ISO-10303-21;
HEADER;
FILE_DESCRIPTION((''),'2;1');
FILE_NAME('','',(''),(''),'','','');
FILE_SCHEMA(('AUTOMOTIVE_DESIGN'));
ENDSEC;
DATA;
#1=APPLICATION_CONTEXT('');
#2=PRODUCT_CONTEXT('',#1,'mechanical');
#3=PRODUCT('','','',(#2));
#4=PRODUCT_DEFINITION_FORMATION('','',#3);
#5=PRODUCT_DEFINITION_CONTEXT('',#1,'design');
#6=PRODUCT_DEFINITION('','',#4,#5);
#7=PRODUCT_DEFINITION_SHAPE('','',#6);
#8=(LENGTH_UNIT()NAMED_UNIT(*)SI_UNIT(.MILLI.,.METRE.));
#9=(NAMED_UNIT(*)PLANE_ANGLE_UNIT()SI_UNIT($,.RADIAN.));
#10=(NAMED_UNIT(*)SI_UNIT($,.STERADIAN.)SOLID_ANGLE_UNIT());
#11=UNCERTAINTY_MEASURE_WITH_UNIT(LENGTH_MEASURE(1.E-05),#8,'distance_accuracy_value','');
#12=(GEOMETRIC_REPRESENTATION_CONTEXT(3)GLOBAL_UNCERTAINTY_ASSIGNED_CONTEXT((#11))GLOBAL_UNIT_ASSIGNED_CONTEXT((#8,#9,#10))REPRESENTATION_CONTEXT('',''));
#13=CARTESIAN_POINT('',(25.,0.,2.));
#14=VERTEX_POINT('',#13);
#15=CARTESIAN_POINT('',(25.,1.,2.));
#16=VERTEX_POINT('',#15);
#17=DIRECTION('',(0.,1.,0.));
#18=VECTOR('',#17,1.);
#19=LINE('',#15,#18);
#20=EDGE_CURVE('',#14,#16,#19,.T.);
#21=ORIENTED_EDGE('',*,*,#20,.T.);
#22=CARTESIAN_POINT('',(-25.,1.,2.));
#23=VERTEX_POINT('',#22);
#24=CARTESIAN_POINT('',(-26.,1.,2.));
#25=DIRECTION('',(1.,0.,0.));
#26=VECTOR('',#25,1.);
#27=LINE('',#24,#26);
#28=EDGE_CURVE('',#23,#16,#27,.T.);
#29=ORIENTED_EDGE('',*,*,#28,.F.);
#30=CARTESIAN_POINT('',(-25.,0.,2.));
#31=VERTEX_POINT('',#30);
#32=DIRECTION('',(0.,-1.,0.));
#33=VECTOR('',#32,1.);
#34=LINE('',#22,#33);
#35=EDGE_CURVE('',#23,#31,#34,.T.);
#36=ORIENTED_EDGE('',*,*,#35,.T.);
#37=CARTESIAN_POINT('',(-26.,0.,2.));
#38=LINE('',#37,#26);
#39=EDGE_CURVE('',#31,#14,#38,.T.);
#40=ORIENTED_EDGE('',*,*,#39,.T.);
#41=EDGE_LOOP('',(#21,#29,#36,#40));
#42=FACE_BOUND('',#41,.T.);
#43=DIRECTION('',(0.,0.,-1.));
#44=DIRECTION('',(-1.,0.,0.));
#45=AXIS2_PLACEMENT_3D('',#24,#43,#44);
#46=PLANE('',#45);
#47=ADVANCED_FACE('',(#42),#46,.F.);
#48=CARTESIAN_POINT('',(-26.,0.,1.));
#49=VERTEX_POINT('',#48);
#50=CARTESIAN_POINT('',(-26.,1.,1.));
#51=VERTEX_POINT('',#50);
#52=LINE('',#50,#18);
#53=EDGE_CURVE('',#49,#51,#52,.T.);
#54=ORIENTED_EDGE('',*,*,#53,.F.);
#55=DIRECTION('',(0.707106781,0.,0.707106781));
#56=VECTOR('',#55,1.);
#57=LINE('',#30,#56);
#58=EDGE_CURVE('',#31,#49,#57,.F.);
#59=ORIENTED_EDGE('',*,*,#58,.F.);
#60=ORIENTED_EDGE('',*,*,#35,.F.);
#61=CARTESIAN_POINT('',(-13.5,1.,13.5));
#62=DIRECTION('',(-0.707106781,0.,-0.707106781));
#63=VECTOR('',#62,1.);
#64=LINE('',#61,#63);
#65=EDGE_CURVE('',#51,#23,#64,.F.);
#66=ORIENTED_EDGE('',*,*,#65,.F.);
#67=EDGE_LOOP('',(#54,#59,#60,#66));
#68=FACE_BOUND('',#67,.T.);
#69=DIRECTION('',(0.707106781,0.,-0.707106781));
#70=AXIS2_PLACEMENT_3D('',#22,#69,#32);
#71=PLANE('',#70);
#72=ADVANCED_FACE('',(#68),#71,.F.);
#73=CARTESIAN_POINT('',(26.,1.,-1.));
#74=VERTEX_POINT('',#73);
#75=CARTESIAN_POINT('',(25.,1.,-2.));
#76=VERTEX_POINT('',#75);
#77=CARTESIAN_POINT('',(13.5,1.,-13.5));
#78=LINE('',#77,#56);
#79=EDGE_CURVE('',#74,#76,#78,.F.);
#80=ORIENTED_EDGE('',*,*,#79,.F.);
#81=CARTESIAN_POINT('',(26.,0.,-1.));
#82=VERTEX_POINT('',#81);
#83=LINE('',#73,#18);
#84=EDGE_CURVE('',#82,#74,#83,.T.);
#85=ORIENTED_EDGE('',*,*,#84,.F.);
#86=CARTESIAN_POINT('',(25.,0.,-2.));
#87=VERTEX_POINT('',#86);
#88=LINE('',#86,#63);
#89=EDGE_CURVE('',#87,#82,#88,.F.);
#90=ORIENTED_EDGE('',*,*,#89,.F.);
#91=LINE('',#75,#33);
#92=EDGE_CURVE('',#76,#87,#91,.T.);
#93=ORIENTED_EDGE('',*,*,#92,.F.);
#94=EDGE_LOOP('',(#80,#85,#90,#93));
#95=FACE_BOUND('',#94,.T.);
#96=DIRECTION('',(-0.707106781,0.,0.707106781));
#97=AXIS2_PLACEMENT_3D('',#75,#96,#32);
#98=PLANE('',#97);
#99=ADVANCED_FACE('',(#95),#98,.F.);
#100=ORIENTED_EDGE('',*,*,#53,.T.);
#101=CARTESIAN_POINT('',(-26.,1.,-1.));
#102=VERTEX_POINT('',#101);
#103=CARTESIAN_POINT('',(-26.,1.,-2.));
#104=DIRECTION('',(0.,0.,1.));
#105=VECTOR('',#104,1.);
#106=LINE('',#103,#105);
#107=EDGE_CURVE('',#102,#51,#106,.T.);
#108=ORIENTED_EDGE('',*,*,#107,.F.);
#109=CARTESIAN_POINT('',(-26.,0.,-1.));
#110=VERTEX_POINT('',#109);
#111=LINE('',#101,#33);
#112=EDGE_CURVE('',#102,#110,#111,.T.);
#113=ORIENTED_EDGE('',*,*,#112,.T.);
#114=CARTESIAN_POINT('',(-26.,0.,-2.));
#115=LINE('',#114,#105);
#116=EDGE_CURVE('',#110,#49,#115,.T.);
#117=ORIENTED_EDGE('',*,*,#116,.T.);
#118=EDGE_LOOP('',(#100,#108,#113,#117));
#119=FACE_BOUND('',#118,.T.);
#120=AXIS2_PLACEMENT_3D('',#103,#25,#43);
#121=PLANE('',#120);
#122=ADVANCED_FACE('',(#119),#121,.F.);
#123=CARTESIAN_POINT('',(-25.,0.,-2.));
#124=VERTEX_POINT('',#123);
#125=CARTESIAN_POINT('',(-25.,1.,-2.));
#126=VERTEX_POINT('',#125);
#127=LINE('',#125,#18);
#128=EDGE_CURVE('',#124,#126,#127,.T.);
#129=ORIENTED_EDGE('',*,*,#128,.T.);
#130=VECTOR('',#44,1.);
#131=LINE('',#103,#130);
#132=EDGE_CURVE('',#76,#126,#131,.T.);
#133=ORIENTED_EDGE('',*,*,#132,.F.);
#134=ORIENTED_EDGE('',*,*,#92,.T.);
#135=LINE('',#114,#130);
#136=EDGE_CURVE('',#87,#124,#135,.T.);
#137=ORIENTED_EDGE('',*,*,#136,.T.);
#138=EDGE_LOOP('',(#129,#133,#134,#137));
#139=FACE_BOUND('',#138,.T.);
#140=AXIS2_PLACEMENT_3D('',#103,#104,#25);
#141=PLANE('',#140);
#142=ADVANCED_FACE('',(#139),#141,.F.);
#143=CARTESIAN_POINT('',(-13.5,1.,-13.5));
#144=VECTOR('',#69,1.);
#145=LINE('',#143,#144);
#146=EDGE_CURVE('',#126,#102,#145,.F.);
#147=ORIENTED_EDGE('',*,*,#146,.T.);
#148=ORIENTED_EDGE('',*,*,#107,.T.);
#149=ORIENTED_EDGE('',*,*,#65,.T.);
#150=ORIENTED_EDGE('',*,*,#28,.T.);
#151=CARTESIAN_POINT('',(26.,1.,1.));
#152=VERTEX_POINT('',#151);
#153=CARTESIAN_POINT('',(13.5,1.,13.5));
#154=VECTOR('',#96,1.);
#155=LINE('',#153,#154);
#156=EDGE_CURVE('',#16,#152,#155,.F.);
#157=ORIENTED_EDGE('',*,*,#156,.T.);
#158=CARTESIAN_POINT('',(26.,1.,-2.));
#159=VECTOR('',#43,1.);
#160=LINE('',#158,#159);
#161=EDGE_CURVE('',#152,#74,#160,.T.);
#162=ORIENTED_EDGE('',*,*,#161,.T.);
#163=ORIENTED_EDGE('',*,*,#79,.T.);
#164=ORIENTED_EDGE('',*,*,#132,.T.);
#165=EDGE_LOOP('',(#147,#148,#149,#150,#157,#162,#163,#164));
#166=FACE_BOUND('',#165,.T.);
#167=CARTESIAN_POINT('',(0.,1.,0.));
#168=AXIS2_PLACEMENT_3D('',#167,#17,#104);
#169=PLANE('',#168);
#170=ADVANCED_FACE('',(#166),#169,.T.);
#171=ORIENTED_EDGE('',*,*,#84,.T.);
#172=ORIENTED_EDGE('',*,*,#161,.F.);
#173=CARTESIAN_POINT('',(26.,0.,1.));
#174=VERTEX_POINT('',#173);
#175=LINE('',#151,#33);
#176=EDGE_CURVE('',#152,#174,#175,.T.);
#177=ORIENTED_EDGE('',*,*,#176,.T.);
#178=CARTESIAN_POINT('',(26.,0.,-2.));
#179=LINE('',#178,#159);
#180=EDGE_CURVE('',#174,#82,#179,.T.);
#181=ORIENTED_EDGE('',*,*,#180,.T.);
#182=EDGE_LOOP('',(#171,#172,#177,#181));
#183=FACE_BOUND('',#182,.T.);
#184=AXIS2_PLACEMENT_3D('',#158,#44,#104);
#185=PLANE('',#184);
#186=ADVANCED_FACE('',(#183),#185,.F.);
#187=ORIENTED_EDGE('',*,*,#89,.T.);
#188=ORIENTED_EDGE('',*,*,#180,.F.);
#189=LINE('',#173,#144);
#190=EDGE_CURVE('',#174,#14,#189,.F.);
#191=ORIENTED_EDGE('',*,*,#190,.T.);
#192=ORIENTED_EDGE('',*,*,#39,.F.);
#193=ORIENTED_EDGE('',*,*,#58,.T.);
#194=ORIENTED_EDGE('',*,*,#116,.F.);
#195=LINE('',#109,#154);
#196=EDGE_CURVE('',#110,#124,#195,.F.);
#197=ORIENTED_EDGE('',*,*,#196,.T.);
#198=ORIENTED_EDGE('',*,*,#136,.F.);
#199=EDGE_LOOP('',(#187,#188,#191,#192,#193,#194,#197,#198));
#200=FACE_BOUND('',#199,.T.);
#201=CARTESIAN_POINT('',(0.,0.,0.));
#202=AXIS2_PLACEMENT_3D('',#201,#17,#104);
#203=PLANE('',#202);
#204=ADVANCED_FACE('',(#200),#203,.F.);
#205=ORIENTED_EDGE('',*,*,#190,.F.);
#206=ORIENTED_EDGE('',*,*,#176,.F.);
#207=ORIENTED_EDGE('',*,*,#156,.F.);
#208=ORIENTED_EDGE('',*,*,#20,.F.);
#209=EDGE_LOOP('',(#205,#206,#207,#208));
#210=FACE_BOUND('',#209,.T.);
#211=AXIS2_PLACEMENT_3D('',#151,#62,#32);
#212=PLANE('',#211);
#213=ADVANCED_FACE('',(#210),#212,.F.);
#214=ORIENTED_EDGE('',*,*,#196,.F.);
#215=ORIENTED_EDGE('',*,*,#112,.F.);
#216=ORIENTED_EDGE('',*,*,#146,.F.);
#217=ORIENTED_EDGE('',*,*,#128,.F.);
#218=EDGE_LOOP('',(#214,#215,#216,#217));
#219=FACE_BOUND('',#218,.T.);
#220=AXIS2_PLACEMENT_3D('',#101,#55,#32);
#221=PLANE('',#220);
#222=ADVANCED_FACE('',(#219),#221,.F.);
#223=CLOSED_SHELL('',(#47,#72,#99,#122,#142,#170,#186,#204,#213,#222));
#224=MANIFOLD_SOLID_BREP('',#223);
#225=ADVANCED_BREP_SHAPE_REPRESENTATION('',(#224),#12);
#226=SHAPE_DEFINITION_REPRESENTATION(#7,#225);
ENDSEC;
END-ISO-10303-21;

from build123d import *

# Parameters (mm, degrees)
SKETCH1_W           = 52
SKETCH1_H           = 4
BOSS_EXTRUDE1_DEPTH = 1
CHAMFER1_SIZE       = 1


with BuildPart() as part:
    # Sketch1 → Boss-Extrude1 (new body)
    with BuildSketch(Plane(origin=(0, 0, 0), x_dir=(1, 0, 0), z_dir=(0, 1, 0))):
        Rectangle(SKETCH1_W, SKETCH1_H)
    extrude(amount=BOSS_EXTRUDE1_DEPTH)

    # Chamfer1
    chamfer1_edges = [part.edges().sort_by_distance(p)[0] for p in [
        (26, 0.5, 2),
        (-26, 0.5, 2),
        (-26, 0.5, -2),
        (26, 0.5, -2),
    ]]
    chamfer(chamfer1_edges, length=CHAMFER1_SIZE)


solid = part.part
